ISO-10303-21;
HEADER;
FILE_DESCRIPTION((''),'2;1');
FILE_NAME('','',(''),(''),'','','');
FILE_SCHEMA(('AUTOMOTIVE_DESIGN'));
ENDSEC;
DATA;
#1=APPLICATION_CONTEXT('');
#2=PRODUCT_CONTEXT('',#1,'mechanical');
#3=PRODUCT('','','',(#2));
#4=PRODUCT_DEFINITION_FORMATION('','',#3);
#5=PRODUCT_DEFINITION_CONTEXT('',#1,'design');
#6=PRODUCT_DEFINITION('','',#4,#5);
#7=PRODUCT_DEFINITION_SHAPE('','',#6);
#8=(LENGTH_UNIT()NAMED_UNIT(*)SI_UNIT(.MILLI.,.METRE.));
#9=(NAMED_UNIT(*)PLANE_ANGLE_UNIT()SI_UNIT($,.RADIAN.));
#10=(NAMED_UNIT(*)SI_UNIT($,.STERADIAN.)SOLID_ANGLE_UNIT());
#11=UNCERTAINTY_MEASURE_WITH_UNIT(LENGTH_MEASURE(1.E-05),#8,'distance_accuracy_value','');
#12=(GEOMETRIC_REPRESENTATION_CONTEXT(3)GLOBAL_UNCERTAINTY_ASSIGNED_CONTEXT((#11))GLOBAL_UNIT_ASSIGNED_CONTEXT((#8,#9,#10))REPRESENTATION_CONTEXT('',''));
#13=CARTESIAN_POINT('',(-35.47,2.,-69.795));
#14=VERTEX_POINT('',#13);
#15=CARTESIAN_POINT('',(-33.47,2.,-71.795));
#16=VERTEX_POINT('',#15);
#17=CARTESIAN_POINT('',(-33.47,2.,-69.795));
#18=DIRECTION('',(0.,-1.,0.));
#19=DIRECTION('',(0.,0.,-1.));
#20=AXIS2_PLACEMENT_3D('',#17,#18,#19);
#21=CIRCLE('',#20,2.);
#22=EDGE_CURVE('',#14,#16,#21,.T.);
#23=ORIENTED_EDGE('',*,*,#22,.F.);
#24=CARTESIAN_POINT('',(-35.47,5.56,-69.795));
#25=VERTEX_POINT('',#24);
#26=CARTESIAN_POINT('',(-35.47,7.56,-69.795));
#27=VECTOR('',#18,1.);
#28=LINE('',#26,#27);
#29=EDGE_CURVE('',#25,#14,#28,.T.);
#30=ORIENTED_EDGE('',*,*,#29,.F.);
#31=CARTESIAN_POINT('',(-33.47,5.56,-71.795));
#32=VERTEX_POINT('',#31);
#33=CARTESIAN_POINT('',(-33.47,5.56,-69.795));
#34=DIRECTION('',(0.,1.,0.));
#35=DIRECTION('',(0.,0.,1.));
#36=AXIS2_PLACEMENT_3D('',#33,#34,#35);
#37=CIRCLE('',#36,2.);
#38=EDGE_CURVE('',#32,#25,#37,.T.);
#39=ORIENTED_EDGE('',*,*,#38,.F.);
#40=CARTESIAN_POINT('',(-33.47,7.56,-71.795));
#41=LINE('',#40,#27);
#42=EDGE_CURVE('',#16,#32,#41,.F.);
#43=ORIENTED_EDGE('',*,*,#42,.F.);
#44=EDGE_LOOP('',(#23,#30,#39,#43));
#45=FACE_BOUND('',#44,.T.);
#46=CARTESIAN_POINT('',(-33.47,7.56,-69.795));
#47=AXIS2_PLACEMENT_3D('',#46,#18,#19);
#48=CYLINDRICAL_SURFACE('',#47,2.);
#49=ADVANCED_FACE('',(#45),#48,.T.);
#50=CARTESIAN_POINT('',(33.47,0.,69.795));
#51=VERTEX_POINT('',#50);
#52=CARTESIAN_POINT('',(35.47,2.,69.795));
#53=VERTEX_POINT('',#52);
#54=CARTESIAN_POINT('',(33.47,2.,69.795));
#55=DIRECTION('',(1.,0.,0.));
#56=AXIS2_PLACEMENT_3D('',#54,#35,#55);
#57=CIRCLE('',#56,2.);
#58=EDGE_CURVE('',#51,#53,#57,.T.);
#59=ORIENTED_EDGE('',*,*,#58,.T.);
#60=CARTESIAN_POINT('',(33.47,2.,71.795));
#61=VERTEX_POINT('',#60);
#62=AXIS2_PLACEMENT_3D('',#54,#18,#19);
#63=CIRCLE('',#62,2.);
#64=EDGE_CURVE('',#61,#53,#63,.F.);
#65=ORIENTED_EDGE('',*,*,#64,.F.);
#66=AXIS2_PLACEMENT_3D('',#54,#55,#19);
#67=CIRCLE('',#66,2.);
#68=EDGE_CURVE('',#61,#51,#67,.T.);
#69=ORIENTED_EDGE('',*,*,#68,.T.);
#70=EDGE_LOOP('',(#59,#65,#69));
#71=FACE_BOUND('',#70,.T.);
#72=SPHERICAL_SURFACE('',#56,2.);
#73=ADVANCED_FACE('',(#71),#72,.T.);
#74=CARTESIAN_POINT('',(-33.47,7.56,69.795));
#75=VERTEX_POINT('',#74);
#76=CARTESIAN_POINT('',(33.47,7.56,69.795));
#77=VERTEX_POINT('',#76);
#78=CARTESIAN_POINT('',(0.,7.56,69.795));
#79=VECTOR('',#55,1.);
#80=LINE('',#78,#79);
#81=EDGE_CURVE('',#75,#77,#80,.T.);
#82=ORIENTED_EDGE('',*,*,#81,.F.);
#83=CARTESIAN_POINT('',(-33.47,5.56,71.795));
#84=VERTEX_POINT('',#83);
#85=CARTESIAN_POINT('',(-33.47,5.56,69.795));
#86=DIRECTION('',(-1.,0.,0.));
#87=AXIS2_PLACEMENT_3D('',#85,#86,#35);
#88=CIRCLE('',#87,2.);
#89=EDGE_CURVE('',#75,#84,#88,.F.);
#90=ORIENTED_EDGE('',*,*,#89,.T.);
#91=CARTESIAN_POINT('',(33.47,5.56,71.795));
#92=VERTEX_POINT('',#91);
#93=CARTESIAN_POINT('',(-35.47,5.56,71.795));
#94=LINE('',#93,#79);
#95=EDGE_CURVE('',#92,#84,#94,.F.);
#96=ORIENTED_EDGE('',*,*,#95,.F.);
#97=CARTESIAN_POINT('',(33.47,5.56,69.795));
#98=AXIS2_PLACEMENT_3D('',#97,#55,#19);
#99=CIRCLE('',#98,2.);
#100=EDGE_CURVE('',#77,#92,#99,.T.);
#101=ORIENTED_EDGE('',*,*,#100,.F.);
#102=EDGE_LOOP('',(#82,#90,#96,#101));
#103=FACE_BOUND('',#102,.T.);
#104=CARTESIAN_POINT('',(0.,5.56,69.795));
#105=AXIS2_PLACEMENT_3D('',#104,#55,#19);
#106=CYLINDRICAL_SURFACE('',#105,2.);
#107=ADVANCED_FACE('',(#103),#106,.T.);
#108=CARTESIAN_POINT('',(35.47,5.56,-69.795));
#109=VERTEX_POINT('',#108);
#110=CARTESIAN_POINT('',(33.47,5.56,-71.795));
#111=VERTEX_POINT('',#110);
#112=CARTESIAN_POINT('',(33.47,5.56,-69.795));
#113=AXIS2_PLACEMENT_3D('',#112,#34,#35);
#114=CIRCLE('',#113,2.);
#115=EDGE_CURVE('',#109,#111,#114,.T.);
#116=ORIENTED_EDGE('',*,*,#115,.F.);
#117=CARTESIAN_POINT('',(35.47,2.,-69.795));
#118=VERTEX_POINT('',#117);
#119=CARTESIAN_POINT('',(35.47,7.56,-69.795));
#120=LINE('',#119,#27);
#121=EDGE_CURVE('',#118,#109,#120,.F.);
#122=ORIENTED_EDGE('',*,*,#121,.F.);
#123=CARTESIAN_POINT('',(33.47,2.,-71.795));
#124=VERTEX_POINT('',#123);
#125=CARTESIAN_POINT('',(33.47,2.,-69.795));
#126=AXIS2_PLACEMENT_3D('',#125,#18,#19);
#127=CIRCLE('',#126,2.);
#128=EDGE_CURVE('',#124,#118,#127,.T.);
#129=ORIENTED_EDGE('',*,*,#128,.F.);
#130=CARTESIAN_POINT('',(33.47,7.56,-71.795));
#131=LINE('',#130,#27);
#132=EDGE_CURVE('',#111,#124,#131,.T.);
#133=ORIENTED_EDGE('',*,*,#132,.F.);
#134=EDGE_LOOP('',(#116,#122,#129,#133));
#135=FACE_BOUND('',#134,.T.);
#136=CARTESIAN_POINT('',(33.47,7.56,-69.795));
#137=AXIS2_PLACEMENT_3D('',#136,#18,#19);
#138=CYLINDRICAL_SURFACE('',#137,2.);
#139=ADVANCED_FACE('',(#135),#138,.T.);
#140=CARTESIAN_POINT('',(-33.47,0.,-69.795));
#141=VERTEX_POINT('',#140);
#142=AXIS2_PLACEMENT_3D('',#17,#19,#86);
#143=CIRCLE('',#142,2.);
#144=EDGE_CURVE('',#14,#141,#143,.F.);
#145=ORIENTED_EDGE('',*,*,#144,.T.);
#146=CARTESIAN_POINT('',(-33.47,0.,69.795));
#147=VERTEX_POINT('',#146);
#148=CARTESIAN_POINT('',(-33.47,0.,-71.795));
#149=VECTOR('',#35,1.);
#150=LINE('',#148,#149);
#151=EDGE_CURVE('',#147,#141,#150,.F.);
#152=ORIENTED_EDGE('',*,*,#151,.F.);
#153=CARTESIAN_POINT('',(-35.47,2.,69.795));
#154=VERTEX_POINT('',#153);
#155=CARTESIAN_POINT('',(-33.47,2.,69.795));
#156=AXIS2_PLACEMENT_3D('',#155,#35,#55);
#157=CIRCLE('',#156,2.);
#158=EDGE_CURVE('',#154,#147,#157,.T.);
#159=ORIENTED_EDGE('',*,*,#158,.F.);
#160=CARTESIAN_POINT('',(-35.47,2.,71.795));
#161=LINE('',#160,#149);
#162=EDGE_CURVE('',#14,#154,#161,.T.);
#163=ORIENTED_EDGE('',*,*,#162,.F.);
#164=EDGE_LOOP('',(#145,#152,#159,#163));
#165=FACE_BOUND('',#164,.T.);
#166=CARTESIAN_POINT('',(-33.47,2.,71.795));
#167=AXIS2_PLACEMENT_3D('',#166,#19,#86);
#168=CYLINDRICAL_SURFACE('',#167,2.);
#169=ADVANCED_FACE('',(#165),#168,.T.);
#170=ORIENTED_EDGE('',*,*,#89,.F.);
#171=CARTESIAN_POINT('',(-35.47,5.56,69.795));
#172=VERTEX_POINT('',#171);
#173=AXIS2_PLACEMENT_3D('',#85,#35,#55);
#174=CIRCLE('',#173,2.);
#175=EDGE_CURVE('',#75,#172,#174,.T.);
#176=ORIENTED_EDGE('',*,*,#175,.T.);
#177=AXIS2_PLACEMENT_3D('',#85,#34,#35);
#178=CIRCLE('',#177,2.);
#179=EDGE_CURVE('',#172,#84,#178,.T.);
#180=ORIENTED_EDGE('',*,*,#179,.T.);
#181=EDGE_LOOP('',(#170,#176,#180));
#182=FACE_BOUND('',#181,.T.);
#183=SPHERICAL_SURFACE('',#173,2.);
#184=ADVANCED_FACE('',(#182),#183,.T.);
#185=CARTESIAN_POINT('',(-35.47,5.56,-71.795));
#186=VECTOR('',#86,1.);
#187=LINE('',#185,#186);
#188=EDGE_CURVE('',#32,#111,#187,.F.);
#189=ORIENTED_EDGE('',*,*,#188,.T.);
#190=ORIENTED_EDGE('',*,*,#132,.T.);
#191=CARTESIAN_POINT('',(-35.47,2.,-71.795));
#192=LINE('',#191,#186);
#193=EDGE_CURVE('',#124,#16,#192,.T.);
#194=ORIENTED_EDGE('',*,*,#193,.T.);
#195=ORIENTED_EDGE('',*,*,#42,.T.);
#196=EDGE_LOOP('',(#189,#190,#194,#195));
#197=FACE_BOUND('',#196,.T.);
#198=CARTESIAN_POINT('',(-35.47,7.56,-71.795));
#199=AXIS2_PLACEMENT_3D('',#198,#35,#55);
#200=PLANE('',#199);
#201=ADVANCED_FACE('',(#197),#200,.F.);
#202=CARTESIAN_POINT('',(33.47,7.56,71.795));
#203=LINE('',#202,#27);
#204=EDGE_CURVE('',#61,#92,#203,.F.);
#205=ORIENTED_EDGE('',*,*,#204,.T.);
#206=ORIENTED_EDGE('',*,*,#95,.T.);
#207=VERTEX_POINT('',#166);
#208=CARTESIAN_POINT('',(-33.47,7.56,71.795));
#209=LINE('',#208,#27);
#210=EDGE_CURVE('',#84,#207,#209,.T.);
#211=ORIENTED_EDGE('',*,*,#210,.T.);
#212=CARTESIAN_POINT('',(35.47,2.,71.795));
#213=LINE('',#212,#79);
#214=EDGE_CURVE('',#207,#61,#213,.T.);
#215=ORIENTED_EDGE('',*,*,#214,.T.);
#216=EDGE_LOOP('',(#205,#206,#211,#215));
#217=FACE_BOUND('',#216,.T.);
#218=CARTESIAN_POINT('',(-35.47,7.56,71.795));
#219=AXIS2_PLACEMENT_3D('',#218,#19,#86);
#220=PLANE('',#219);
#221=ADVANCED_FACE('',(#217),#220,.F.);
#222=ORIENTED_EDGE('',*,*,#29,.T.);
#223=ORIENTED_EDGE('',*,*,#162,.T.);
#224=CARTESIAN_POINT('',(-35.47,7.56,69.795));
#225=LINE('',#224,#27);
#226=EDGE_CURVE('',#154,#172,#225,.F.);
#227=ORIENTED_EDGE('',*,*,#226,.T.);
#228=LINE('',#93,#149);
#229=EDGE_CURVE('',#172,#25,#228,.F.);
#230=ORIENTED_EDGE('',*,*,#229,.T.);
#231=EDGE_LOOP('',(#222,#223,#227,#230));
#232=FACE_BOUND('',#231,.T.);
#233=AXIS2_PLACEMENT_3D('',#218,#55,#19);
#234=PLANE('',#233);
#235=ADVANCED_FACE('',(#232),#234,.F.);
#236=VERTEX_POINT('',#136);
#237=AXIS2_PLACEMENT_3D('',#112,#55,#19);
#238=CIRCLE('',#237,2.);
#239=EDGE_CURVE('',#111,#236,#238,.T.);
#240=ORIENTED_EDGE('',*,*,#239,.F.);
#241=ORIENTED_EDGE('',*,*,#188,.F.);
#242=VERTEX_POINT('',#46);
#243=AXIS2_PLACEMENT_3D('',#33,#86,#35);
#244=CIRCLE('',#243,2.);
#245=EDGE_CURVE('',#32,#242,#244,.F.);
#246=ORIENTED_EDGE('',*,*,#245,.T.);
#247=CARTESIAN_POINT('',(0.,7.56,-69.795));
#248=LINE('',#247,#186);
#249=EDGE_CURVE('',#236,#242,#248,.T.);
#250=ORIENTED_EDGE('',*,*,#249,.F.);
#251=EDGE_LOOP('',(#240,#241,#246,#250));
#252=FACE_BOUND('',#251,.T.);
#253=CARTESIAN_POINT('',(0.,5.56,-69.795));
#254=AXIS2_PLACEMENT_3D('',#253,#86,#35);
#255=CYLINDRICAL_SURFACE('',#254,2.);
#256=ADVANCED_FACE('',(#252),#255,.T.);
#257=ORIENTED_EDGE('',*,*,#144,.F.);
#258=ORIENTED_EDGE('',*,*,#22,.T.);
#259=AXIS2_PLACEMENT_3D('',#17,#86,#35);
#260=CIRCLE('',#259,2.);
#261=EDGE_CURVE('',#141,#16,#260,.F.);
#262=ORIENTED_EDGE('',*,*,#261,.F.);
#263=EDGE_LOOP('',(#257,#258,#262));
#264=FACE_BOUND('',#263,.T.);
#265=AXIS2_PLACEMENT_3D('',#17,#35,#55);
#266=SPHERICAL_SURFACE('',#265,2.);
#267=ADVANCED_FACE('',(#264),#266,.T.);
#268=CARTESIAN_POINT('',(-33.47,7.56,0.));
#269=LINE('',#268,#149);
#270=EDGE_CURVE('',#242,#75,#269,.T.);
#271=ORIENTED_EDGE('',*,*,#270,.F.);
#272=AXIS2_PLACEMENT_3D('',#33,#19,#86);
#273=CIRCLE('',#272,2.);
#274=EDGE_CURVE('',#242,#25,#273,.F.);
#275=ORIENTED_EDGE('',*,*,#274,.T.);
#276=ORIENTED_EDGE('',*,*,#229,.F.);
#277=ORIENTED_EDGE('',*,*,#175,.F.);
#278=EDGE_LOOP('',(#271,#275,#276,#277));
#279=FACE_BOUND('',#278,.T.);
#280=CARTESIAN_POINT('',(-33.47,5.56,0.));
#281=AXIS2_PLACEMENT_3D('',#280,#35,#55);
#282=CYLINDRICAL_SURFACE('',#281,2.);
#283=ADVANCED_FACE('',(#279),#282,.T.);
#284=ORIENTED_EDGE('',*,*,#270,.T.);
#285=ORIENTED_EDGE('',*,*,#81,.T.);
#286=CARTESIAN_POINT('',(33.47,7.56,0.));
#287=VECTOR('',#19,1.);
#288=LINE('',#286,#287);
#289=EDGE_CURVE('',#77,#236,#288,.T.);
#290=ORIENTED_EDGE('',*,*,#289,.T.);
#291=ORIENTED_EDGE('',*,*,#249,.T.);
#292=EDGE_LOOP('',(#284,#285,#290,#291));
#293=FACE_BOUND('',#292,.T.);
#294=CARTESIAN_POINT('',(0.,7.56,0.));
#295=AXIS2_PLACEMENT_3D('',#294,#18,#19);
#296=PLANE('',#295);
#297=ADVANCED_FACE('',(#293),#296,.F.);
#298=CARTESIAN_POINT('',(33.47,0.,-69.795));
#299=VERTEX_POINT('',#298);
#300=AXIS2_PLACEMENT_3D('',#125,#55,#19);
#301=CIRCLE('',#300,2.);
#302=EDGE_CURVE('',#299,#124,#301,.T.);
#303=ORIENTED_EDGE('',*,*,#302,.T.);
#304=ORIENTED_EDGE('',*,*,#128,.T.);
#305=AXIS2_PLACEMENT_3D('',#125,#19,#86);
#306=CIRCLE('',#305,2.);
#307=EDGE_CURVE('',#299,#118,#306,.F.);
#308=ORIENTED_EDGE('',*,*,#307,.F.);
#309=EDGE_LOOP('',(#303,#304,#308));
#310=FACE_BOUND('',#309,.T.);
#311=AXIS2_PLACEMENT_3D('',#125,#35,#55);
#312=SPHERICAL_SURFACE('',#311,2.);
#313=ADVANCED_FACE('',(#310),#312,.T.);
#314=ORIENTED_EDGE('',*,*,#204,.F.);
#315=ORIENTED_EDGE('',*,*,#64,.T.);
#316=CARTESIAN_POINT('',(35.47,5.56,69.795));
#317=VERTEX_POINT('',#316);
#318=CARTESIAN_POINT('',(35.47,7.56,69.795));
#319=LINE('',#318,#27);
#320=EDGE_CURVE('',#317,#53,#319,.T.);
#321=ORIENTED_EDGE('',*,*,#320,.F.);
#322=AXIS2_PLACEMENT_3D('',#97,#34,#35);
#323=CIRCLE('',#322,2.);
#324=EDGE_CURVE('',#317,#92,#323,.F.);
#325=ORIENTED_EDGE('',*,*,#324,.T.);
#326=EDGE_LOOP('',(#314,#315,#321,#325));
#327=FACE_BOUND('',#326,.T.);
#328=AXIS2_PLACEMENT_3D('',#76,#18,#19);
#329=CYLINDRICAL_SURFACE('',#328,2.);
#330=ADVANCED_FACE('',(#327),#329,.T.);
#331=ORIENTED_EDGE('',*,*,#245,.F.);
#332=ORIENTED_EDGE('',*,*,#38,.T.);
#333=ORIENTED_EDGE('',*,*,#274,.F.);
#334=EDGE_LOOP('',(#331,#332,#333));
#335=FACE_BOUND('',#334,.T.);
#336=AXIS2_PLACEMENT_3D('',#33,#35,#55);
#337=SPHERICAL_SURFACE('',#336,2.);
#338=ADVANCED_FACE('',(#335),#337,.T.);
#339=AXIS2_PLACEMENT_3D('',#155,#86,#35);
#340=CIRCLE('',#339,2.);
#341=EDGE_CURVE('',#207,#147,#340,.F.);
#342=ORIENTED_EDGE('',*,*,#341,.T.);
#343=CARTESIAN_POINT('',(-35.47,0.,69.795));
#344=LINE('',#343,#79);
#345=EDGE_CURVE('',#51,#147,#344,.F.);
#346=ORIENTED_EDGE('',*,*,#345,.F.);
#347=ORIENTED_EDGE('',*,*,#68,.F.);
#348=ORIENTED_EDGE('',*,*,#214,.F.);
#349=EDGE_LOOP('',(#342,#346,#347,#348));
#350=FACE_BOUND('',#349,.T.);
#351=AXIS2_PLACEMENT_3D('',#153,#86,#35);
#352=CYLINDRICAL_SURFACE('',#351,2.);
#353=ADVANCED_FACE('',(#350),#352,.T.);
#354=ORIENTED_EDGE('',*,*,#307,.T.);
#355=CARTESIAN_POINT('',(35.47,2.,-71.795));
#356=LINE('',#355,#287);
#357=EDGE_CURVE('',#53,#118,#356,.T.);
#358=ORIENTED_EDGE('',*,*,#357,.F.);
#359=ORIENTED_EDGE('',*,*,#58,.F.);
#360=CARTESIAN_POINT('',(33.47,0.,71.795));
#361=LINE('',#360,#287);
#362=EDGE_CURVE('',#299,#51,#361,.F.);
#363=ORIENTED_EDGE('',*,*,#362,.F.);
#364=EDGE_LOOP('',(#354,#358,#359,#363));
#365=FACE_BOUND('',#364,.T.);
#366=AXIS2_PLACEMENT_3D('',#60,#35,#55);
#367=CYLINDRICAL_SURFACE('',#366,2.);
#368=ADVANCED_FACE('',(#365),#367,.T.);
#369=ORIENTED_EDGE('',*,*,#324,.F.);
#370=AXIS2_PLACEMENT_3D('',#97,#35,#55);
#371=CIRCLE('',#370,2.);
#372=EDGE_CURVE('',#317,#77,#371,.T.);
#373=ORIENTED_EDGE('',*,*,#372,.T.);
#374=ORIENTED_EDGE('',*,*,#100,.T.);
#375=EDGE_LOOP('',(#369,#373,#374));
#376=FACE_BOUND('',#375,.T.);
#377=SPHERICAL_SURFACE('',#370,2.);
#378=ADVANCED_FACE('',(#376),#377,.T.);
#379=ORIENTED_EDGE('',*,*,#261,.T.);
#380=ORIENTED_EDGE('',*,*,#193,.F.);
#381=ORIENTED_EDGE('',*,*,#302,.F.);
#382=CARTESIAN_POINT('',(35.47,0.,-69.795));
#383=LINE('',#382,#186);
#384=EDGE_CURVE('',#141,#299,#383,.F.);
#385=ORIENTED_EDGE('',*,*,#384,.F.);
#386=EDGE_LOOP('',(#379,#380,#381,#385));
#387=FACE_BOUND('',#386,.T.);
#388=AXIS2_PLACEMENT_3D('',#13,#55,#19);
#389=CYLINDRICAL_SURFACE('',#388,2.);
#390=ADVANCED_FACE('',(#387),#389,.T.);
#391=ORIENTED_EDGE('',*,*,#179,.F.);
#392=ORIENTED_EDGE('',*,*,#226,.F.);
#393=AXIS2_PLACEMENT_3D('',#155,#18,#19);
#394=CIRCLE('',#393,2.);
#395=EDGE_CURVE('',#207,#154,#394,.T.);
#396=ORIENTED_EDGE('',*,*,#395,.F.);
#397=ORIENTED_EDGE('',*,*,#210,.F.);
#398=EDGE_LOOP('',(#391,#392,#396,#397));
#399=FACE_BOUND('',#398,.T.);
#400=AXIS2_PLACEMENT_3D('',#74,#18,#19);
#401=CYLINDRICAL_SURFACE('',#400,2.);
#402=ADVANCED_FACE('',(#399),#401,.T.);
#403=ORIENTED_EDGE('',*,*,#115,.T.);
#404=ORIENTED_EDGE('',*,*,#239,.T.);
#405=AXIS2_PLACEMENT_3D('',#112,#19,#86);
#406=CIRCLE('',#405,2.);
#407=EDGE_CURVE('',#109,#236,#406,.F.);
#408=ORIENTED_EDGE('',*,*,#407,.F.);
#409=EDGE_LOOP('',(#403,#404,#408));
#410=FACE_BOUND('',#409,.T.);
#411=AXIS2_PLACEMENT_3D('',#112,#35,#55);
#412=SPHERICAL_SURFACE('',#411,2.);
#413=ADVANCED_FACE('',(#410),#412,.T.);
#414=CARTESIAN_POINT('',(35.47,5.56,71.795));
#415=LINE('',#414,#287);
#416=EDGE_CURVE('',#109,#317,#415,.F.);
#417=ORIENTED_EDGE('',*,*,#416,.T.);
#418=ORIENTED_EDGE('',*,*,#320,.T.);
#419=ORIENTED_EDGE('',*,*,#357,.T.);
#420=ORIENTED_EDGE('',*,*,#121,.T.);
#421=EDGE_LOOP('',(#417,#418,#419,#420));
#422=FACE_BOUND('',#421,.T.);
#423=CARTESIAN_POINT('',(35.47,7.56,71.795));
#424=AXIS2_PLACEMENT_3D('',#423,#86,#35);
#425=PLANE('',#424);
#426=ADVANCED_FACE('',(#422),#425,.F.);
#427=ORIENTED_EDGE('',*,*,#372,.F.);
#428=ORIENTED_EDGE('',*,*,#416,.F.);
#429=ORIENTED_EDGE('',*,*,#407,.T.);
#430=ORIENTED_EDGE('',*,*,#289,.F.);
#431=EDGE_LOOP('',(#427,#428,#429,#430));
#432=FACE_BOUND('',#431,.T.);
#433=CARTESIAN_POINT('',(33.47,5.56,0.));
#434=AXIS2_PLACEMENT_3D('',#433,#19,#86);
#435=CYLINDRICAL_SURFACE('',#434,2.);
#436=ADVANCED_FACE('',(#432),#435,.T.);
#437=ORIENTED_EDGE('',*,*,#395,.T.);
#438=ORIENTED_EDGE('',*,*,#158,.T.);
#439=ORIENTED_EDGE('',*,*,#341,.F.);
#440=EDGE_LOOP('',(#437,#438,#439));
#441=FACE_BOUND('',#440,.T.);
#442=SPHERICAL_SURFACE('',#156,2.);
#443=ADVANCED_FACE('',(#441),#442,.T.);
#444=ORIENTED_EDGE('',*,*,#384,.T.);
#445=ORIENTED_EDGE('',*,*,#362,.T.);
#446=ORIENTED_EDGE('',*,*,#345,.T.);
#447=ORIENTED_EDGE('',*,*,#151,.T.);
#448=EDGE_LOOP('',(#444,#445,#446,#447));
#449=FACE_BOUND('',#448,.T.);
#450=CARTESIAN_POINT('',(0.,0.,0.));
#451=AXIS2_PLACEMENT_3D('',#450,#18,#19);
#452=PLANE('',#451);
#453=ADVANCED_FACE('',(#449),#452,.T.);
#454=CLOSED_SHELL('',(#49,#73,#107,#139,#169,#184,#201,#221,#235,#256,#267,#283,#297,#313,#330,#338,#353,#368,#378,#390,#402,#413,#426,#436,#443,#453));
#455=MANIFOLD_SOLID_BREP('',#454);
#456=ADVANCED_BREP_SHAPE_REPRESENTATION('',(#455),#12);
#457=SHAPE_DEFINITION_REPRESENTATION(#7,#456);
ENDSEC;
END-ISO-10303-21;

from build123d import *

# Parameters (mm, degrees)
SKETCH_1_W      = 70.94
SKETCH_1_H      = 143.59
EXTRUDE_1_DEPTH = 7.56
FILLET_1_R      = 2


with BuildPart() as part:
    # ｽｹｯﾁ1 → ﾎﾞｽ - 押し出し1 (new body)
    with BuildSketch(Plane(origin=(0, 0, 0), x_dir=(1, 0, 0), z_dir=(0, 1, 0))):
        Rectangle(SKETCH_1_W, SKETCH_1_H)
    extrude(amount=EXTRUDE_1_DEPTH)

    # ﾌｨﾚｯﾄ1
    fillet_1_edges = [part.edges().sort_by_distance(p)[0] for p in [
        (-35.47, 7.56, 0),
        (0, 7.56, 71.795),
        (35.47, 7.56, 0),
        (0, 0, 71.795),
        (-35.47, 0, 0),
        (0, 0, -71.795),
        (35.47, 0, 0),
        (0, 7.56, -71.795),
        (35.47, 3.78, 71.795),
        (-35.47, 3.78, 71.795),
        (-35.47, 3.78, -71.795),
        (35.47, 3.78, -71.795),
    ]]
    fillet(fillet_1_edges, radius=FILLET_1_R)


solid = part.part
